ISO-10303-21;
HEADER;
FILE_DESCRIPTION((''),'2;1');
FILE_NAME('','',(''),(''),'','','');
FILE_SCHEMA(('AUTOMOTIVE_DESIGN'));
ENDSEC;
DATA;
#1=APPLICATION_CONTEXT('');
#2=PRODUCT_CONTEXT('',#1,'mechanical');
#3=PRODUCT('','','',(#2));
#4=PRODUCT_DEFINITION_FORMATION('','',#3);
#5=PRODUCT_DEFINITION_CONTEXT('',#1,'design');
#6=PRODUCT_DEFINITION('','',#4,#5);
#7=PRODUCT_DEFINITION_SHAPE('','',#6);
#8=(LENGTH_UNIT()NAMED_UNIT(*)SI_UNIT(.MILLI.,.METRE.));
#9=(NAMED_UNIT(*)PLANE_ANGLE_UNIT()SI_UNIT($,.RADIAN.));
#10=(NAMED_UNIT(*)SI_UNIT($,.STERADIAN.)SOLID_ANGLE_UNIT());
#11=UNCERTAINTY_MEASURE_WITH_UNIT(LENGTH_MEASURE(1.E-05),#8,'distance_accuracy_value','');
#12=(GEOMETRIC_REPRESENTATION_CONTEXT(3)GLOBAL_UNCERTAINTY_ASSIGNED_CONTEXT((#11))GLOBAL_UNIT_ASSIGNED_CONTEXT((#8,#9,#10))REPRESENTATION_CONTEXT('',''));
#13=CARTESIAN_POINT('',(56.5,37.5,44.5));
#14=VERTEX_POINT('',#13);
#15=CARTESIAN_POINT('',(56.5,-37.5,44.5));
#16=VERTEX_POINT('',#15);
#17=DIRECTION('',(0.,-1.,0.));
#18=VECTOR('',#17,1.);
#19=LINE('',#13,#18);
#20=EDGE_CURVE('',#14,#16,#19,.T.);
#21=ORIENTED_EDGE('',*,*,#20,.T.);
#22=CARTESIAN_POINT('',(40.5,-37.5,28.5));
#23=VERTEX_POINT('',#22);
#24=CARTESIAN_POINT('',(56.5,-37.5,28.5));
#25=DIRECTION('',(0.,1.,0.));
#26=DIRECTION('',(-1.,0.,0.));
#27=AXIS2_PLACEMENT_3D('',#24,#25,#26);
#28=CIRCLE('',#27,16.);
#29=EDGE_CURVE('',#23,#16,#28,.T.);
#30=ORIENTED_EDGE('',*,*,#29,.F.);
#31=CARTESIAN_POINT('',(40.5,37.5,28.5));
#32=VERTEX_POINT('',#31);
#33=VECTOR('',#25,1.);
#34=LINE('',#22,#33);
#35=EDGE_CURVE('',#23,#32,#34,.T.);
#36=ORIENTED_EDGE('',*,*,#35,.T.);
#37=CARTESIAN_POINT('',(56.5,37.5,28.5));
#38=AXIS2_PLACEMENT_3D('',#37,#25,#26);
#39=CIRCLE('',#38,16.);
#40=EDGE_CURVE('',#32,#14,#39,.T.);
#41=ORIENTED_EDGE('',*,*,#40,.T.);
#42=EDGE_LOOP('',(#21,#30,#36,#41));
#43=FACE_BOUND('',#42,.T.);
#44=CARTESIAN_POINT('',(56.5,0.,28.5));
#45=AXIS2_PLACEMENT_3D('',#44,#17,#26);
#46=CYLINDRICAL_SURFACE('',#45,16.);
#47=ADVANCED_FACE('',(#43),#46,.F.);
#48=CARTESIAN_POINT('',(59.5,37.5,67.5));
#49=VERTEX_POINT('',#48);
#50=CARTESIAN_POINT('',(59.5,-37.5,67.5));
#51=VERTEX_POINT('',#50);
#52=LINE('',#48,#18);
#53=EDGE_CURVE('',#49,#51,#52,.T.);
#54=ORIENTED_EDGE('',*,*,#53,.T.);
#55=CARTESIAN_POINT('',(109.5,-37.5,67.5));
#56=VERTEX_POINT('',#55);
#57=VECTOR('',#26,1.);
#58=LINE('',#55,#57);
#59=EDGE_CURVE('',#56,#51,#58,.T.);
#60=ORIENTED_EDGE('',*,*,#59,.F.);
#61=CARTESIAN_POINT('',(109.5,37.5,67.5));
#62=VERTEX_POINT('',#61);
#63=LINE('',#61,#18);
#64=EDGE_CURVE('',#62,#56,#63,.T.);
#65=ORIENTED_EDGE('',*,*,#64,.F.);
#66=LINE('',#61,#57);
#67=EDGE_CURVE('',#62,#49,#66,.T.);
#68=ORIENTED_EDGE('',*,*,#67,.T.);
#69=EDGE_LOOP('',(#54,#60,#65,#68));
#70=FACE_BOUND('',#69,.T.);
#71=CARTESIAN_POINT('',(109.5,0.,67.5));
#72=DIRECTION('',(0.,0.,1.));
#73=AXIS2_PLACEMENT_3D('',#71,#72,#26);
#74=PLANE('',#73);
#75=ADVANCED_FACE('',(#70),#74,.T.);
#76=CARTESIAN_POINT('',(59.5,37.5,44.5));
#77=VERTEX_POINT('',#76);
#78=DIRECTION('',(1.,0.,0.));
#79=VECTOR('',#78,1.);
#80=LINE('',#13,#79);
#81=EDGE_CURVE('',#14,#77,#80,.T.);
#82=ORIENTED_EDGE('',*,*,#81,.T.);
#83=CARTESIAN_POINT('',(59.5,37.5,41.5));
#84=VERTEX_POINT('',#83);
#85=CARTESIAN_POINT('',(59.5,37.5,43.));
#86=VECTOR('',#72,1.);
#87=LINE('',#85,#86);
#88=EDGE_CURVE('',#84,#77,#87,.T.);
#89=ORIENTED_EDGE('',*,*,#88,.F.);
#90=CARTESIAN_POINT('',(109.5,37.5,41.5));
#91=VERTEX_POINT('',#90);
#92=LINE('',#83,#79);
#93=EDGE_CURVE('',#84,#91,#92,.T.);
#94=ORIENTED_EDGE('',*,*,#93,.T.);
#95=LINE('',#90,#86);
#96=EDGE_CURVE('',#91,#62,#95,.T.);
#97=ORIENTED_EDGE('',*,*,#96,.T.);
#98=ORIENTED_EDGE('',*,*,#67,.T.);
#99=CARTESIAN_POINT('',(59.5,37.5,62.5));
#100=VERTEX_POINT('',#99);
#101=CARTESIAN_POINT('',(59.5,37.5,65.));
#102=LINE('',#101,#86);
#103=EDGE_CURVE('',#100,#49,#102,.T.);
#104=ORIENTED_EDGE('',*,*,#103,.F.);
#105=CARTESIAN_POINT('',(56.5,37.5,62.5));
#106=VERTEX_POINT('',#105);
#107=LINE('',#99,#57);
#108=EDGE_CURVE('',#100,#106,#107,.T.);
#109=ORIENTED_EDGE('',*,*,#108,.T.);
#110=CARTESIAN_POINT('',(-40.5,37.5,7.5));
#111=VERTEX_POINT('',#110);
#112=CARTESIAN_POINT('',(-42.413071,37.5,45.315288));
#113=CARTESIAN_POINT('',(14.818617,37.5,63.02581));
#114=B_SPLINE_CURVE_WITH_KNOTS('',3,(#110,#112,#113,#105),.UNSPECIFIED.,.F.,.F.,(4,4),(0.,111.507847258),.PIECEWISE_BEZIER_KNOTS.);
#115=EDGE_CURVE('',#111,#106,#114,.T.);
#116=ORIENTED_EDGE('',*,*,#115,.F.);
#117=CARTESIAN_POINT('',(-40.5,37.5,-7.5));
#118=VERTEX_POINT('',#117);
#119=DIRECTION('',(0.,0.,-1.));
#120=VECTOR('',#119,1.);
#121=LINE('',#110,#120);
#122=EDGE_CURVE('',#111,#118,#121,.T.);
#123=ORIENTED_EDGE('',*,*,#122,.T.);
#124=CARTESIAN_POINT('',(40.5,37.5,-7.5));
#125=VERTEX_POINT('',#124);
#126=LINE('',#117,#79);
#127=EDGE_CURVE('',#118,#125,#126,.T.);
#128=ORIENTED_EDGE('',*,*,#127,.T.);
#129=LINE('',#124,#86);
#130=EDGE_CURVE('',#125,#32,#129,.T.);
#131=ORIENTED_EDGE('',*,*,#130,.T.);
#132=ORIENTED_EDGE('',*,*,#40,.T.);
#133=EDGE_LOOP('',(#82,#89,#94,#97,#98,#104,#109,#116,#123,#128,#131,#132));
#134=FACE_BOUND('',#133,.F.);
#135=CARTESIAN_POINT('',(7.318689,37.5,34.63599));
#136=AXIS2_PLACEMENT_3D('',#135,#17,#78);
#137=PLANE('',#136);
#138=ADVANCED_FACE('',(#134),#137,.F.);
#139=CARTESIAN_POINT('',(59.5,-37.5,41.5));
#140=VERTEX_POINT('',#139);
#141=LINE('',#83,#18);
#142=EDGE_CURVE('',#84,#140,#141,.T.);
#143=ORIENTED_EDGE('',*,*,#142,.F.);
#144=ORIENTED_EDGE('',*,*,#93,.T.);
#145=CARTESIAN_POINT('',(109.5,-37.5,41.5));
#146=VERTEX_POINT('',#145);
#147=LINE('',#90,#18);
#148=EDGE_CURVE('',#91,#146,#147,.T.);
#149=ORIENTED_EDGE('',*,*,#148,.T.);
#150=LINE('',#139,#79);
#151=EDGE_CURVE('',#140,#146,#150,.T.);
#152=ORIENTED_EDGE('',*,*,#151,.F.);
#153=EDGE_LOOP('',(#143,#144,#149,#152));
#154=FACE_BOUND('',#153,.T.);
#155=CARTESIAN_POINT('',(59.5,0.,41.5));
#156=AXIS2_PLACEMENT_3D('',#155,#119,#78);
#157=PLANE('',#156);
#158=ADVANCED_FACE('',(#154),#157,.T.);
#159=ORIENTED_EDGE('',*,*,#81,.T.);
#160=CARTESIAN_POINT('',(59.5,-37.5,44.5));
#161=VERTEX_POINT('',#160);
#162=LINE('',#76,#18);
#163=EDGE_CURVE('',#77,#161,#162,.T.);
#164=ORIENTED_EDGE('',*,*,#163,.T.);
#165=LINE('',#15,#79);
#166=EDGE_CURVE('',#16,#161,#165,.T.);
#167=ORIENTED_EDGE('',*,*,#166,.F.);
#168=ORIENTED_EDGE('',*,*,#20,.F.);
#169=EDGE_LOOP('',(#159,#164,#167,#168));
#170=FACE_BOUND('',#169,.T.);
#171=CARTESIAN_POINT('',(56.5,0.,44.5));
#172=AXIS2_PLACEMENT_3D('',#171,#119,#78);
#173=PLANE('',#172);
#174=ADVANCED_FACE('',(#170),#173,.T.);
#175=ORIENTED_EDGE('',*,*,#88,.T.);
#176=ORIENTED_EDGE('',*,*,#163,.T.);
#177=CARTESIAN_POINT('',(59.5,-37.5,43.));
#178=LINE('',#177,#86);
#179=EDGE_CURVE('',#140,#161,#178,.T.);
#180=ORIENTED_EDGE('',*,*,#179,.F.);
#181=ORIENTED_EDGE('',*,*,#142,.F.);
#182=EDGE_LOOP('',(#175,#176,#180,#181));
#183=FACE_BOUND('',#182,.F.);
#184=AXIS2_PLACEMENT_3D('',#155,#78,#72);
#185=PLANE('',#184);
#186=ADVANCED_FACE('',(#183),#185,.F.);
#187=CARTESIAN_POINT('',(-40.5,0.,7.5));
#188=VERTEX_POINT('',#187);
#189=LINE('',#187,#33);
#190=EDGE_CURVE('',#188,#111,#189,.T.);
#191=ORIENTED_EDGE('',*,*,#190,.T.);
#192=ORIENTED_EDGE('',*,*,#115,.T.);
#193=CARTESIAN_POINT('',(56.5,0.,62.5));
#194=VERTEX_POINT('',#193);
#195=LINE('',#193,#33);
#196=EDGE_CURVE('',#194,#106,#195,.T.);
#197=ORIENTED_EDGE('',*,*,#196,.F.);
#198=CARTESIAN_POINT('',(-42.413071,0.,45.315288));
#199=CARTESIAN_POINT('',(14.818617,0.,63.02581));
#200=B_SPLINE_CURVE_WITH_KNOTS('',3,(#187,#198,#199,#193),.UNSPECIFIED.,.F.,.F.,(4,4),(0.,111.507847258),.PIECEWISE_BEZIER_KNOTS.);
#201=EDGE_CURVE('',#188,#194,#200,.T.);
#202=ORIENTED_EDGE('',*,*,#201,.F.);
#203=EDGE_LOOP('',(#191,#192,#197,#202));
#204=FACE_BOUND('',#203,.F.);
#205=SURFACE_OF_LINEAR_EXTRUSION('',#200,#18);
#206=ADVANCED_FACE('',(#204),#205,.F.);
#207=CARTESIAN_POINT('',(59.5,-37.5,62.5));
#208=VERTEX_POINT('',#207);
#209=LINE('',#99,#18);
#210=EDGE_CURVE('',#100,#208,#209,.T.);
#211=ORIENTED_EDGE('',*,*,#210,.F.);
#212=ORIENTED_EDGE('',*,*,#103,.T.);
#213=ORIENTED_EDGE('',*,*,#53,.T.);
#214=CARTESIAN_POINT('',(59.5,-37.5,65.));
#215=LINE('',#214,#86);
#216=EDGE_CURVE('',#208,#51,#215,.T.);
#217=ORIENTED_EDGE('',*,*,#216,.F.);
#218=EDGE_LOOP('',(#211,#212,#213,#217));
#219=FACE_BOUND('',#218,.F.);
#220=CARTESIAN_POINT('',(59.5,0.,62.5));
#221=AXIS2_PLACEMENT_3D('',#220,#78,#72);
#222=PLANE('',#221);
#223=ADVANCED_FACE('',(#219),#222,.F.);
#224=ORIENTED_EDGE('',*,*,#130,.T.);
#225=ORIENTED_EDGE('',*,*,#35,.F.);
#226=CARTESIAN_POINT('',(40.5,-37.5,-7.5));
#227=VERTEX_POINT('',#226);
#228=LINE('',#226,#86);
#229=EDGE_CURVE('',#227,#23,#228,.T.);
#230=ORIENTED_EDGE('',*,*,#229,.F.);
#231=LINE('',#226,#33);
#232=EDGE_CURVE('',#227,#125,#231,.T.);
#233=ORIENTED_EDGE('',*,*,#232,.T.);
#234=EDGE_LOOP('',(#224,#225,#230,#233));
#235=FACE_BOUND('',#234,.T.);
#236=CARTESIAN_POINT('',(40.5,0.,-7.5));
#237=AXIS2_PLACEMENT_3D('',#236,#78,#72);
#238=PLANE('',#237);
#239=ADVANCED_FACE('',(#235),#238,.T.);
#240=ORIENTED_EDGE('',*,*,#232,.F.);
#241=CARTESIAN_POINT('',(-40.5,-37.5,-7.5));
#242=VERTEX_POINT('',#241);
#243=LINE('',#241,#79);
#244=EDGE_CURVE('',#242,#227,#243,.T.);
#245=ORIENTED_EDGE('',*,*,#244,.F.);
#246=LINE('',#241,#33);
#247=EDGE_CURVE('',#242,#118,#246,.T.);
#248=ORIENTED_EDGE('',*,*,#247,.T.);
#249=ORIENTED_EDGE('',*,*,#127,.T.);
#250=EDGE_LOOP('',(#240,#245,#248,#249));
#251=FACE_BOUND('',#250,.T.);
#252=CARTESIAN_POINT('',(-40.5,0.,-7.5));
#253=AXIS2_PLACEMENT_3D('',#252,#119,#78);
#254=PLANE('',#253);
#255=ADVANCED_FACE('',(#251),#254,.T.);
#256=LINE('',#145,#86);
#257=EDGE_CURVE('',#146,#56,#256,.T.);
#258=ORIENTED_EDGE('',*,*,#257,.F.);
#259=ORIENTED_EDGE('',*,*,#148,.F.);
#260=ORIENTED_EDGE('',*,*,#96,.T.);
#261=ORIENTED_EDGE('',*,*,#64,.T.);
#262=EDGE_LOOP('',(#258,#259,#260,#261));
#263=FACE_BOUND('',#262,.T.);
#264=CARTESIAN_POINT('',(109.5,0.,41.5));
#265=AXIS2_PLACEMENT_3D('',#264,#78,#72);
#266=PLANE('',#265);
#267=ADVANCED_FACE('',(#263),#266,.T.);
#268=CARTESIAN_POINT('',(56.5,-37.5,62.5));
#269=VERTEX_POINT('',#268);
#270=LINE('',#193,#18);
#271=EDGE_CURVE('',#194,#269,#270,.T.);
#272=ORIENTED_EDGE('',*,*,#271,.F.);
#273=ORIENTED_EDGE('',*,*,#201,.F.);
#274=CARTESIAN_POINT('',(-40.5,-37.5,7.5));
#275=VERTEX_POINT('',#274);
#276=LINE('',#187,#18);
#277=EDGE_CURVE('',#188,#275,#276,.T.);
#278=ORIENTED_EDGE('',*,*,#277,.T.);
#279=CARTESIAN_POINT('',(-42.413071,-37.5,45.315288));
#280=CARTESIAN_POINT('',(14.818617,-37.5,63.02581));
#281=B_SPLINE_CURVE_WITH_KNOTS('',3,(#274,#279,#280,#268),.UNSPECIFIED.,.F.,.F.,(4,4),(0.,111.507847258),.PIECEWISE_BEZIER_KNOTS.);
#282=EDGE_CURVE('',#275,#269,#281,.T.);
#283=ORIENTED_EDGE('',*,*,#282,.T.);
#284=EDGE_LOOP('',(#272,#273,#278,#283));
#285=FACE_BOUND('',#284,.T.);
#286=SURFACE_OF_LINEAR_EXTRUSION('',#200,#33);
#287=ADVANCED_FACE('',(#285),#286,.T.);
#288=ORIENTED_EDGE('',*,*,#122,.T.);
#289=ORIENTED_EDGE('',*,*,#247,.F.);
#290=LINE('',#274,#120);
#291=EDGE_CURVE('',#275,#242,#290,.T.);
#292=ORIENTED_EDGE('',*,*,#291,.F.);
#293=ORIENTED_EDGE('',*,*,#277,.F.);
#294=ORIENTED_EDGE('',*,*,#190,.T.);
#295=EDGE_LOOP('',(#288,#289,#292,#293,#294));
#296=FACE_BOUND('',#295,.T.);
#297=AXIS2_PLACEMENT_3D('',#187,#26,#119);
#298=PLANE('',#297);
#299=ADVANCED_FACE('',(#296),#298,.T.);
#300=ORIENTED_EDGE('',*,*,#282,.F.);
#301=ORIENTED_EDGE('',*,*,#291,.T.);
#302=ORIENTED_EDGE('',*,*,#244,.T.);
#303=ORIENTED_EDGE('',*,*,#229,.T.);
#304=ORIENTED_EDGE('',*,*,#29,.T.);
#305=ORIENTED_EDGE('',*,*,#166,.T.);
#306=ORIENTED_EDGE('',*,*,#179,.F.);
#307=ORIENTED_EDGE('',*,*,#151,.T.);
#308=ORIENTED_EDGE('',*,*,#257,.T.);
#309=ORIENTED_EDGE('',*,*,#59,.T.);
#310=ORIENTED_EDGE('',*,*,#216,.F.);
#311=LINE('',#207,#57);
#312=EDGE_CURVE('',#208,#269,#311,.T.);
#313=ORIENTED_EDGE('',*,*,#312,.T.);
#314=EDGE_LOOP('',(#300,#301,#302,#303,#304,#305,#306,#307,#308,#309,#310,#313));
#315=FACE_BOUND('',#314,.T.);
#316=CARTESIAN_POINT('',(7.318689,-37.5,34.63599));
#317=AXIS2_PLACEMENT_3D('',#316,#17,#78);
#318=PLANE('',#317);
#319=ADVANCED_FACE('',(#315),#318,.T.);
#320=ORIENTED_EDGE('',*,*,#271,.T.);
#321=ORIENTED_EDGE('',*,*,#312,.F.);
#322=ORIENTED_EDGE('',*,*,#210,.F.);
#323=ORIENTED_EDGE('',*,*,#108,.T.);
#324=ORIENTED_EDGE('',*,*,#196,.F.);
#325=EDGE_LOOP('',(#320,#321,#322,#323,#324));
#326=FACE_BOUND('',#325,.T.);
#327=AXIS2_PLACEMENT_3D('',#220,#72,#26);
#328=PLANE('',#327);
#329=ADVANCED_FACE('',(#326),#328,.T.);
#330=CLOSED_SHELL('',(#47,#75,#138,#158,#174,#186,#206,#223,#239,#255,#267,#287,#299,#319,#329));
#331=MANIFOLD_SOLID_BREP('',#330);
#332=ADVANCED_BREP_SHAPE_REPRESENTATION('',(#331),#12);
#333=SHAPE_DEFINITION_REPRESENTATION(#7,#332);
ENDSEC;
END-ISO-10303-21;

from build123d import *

# Parameters (mm, degrees)
F0_W     = 25
F0_H     = 5
F0_H_2   = 18
F0_H_3   = 3
F1_DEPTH = 37.5


with BuildPart() as f1:
    # F0 (on Front) → F1 (new body, symmetric)
    with BuildSketch(Plane.XZ):
        with BuildLine():
            Line((-40.5, 7.5), (22.5, 7.5))
            Line((22.5, 7.5), (22.5, 28.5))
            ThreePointArc((22.5, 28.5), (32.4583694397, 52.5416305603), (56.5, 62.5))
            add(Edge.make_bspline(
                [(-40.5, 7.5), (-42.4130707979, 45.3152880073), (14.8186171427, 63.0258098245), (56.5, 62.5)],
                knots=[0, 0, 0, 0, 111.5078472575, 111.5078472575, 111.5078472575, 111.5078472575], degree=3))
        make_face()
        with BuildLine():
            Line((22.5, 7.5), (40.5, 7.5))
            Line((40.5, 7.5), (40.5, 28.5))
            ThreePointArc((40.5, 28.5), (45.186291501, 39.813708499), (56.5, 44.5))
            Line((56.5, 44.5), (59.5, 44.5))
            Line((59.5, 44.5), (59.5, 62.5))
            Line((59.5, 62.5), (56.5, 62.5))
            ThreePointArc((56.5, 62.5), (32.4583694397, 52.5416305603), (22.5, 28.5))
            Line((22.5, 28.5), (22.5, 7.5))
        make_face()
        with Locations((72, 65)):
            Rectangle(F0_W, F0_H)
        with Locations((72, 53.5)):
            Rectangle(F0_W, F0_H_2)
        with Locations((72, 43)):
            Rectangle(F0_W, F0_H_3)
        Polygon((84.5, 62.5), (84.5, 44.5), (84.5, 41.5), (109.5, 41.5), (109.5, 67.5), (84.5, 67.5), align=None)
        Polygon((40.5, -7.5), (40.5, 7.5), (22.5, 7.5), (-40.5, 7.5), (-40.5, -7.5), align=None)
    extrude(amount=F1_DEPTH, both=True)


solid = f1.part
